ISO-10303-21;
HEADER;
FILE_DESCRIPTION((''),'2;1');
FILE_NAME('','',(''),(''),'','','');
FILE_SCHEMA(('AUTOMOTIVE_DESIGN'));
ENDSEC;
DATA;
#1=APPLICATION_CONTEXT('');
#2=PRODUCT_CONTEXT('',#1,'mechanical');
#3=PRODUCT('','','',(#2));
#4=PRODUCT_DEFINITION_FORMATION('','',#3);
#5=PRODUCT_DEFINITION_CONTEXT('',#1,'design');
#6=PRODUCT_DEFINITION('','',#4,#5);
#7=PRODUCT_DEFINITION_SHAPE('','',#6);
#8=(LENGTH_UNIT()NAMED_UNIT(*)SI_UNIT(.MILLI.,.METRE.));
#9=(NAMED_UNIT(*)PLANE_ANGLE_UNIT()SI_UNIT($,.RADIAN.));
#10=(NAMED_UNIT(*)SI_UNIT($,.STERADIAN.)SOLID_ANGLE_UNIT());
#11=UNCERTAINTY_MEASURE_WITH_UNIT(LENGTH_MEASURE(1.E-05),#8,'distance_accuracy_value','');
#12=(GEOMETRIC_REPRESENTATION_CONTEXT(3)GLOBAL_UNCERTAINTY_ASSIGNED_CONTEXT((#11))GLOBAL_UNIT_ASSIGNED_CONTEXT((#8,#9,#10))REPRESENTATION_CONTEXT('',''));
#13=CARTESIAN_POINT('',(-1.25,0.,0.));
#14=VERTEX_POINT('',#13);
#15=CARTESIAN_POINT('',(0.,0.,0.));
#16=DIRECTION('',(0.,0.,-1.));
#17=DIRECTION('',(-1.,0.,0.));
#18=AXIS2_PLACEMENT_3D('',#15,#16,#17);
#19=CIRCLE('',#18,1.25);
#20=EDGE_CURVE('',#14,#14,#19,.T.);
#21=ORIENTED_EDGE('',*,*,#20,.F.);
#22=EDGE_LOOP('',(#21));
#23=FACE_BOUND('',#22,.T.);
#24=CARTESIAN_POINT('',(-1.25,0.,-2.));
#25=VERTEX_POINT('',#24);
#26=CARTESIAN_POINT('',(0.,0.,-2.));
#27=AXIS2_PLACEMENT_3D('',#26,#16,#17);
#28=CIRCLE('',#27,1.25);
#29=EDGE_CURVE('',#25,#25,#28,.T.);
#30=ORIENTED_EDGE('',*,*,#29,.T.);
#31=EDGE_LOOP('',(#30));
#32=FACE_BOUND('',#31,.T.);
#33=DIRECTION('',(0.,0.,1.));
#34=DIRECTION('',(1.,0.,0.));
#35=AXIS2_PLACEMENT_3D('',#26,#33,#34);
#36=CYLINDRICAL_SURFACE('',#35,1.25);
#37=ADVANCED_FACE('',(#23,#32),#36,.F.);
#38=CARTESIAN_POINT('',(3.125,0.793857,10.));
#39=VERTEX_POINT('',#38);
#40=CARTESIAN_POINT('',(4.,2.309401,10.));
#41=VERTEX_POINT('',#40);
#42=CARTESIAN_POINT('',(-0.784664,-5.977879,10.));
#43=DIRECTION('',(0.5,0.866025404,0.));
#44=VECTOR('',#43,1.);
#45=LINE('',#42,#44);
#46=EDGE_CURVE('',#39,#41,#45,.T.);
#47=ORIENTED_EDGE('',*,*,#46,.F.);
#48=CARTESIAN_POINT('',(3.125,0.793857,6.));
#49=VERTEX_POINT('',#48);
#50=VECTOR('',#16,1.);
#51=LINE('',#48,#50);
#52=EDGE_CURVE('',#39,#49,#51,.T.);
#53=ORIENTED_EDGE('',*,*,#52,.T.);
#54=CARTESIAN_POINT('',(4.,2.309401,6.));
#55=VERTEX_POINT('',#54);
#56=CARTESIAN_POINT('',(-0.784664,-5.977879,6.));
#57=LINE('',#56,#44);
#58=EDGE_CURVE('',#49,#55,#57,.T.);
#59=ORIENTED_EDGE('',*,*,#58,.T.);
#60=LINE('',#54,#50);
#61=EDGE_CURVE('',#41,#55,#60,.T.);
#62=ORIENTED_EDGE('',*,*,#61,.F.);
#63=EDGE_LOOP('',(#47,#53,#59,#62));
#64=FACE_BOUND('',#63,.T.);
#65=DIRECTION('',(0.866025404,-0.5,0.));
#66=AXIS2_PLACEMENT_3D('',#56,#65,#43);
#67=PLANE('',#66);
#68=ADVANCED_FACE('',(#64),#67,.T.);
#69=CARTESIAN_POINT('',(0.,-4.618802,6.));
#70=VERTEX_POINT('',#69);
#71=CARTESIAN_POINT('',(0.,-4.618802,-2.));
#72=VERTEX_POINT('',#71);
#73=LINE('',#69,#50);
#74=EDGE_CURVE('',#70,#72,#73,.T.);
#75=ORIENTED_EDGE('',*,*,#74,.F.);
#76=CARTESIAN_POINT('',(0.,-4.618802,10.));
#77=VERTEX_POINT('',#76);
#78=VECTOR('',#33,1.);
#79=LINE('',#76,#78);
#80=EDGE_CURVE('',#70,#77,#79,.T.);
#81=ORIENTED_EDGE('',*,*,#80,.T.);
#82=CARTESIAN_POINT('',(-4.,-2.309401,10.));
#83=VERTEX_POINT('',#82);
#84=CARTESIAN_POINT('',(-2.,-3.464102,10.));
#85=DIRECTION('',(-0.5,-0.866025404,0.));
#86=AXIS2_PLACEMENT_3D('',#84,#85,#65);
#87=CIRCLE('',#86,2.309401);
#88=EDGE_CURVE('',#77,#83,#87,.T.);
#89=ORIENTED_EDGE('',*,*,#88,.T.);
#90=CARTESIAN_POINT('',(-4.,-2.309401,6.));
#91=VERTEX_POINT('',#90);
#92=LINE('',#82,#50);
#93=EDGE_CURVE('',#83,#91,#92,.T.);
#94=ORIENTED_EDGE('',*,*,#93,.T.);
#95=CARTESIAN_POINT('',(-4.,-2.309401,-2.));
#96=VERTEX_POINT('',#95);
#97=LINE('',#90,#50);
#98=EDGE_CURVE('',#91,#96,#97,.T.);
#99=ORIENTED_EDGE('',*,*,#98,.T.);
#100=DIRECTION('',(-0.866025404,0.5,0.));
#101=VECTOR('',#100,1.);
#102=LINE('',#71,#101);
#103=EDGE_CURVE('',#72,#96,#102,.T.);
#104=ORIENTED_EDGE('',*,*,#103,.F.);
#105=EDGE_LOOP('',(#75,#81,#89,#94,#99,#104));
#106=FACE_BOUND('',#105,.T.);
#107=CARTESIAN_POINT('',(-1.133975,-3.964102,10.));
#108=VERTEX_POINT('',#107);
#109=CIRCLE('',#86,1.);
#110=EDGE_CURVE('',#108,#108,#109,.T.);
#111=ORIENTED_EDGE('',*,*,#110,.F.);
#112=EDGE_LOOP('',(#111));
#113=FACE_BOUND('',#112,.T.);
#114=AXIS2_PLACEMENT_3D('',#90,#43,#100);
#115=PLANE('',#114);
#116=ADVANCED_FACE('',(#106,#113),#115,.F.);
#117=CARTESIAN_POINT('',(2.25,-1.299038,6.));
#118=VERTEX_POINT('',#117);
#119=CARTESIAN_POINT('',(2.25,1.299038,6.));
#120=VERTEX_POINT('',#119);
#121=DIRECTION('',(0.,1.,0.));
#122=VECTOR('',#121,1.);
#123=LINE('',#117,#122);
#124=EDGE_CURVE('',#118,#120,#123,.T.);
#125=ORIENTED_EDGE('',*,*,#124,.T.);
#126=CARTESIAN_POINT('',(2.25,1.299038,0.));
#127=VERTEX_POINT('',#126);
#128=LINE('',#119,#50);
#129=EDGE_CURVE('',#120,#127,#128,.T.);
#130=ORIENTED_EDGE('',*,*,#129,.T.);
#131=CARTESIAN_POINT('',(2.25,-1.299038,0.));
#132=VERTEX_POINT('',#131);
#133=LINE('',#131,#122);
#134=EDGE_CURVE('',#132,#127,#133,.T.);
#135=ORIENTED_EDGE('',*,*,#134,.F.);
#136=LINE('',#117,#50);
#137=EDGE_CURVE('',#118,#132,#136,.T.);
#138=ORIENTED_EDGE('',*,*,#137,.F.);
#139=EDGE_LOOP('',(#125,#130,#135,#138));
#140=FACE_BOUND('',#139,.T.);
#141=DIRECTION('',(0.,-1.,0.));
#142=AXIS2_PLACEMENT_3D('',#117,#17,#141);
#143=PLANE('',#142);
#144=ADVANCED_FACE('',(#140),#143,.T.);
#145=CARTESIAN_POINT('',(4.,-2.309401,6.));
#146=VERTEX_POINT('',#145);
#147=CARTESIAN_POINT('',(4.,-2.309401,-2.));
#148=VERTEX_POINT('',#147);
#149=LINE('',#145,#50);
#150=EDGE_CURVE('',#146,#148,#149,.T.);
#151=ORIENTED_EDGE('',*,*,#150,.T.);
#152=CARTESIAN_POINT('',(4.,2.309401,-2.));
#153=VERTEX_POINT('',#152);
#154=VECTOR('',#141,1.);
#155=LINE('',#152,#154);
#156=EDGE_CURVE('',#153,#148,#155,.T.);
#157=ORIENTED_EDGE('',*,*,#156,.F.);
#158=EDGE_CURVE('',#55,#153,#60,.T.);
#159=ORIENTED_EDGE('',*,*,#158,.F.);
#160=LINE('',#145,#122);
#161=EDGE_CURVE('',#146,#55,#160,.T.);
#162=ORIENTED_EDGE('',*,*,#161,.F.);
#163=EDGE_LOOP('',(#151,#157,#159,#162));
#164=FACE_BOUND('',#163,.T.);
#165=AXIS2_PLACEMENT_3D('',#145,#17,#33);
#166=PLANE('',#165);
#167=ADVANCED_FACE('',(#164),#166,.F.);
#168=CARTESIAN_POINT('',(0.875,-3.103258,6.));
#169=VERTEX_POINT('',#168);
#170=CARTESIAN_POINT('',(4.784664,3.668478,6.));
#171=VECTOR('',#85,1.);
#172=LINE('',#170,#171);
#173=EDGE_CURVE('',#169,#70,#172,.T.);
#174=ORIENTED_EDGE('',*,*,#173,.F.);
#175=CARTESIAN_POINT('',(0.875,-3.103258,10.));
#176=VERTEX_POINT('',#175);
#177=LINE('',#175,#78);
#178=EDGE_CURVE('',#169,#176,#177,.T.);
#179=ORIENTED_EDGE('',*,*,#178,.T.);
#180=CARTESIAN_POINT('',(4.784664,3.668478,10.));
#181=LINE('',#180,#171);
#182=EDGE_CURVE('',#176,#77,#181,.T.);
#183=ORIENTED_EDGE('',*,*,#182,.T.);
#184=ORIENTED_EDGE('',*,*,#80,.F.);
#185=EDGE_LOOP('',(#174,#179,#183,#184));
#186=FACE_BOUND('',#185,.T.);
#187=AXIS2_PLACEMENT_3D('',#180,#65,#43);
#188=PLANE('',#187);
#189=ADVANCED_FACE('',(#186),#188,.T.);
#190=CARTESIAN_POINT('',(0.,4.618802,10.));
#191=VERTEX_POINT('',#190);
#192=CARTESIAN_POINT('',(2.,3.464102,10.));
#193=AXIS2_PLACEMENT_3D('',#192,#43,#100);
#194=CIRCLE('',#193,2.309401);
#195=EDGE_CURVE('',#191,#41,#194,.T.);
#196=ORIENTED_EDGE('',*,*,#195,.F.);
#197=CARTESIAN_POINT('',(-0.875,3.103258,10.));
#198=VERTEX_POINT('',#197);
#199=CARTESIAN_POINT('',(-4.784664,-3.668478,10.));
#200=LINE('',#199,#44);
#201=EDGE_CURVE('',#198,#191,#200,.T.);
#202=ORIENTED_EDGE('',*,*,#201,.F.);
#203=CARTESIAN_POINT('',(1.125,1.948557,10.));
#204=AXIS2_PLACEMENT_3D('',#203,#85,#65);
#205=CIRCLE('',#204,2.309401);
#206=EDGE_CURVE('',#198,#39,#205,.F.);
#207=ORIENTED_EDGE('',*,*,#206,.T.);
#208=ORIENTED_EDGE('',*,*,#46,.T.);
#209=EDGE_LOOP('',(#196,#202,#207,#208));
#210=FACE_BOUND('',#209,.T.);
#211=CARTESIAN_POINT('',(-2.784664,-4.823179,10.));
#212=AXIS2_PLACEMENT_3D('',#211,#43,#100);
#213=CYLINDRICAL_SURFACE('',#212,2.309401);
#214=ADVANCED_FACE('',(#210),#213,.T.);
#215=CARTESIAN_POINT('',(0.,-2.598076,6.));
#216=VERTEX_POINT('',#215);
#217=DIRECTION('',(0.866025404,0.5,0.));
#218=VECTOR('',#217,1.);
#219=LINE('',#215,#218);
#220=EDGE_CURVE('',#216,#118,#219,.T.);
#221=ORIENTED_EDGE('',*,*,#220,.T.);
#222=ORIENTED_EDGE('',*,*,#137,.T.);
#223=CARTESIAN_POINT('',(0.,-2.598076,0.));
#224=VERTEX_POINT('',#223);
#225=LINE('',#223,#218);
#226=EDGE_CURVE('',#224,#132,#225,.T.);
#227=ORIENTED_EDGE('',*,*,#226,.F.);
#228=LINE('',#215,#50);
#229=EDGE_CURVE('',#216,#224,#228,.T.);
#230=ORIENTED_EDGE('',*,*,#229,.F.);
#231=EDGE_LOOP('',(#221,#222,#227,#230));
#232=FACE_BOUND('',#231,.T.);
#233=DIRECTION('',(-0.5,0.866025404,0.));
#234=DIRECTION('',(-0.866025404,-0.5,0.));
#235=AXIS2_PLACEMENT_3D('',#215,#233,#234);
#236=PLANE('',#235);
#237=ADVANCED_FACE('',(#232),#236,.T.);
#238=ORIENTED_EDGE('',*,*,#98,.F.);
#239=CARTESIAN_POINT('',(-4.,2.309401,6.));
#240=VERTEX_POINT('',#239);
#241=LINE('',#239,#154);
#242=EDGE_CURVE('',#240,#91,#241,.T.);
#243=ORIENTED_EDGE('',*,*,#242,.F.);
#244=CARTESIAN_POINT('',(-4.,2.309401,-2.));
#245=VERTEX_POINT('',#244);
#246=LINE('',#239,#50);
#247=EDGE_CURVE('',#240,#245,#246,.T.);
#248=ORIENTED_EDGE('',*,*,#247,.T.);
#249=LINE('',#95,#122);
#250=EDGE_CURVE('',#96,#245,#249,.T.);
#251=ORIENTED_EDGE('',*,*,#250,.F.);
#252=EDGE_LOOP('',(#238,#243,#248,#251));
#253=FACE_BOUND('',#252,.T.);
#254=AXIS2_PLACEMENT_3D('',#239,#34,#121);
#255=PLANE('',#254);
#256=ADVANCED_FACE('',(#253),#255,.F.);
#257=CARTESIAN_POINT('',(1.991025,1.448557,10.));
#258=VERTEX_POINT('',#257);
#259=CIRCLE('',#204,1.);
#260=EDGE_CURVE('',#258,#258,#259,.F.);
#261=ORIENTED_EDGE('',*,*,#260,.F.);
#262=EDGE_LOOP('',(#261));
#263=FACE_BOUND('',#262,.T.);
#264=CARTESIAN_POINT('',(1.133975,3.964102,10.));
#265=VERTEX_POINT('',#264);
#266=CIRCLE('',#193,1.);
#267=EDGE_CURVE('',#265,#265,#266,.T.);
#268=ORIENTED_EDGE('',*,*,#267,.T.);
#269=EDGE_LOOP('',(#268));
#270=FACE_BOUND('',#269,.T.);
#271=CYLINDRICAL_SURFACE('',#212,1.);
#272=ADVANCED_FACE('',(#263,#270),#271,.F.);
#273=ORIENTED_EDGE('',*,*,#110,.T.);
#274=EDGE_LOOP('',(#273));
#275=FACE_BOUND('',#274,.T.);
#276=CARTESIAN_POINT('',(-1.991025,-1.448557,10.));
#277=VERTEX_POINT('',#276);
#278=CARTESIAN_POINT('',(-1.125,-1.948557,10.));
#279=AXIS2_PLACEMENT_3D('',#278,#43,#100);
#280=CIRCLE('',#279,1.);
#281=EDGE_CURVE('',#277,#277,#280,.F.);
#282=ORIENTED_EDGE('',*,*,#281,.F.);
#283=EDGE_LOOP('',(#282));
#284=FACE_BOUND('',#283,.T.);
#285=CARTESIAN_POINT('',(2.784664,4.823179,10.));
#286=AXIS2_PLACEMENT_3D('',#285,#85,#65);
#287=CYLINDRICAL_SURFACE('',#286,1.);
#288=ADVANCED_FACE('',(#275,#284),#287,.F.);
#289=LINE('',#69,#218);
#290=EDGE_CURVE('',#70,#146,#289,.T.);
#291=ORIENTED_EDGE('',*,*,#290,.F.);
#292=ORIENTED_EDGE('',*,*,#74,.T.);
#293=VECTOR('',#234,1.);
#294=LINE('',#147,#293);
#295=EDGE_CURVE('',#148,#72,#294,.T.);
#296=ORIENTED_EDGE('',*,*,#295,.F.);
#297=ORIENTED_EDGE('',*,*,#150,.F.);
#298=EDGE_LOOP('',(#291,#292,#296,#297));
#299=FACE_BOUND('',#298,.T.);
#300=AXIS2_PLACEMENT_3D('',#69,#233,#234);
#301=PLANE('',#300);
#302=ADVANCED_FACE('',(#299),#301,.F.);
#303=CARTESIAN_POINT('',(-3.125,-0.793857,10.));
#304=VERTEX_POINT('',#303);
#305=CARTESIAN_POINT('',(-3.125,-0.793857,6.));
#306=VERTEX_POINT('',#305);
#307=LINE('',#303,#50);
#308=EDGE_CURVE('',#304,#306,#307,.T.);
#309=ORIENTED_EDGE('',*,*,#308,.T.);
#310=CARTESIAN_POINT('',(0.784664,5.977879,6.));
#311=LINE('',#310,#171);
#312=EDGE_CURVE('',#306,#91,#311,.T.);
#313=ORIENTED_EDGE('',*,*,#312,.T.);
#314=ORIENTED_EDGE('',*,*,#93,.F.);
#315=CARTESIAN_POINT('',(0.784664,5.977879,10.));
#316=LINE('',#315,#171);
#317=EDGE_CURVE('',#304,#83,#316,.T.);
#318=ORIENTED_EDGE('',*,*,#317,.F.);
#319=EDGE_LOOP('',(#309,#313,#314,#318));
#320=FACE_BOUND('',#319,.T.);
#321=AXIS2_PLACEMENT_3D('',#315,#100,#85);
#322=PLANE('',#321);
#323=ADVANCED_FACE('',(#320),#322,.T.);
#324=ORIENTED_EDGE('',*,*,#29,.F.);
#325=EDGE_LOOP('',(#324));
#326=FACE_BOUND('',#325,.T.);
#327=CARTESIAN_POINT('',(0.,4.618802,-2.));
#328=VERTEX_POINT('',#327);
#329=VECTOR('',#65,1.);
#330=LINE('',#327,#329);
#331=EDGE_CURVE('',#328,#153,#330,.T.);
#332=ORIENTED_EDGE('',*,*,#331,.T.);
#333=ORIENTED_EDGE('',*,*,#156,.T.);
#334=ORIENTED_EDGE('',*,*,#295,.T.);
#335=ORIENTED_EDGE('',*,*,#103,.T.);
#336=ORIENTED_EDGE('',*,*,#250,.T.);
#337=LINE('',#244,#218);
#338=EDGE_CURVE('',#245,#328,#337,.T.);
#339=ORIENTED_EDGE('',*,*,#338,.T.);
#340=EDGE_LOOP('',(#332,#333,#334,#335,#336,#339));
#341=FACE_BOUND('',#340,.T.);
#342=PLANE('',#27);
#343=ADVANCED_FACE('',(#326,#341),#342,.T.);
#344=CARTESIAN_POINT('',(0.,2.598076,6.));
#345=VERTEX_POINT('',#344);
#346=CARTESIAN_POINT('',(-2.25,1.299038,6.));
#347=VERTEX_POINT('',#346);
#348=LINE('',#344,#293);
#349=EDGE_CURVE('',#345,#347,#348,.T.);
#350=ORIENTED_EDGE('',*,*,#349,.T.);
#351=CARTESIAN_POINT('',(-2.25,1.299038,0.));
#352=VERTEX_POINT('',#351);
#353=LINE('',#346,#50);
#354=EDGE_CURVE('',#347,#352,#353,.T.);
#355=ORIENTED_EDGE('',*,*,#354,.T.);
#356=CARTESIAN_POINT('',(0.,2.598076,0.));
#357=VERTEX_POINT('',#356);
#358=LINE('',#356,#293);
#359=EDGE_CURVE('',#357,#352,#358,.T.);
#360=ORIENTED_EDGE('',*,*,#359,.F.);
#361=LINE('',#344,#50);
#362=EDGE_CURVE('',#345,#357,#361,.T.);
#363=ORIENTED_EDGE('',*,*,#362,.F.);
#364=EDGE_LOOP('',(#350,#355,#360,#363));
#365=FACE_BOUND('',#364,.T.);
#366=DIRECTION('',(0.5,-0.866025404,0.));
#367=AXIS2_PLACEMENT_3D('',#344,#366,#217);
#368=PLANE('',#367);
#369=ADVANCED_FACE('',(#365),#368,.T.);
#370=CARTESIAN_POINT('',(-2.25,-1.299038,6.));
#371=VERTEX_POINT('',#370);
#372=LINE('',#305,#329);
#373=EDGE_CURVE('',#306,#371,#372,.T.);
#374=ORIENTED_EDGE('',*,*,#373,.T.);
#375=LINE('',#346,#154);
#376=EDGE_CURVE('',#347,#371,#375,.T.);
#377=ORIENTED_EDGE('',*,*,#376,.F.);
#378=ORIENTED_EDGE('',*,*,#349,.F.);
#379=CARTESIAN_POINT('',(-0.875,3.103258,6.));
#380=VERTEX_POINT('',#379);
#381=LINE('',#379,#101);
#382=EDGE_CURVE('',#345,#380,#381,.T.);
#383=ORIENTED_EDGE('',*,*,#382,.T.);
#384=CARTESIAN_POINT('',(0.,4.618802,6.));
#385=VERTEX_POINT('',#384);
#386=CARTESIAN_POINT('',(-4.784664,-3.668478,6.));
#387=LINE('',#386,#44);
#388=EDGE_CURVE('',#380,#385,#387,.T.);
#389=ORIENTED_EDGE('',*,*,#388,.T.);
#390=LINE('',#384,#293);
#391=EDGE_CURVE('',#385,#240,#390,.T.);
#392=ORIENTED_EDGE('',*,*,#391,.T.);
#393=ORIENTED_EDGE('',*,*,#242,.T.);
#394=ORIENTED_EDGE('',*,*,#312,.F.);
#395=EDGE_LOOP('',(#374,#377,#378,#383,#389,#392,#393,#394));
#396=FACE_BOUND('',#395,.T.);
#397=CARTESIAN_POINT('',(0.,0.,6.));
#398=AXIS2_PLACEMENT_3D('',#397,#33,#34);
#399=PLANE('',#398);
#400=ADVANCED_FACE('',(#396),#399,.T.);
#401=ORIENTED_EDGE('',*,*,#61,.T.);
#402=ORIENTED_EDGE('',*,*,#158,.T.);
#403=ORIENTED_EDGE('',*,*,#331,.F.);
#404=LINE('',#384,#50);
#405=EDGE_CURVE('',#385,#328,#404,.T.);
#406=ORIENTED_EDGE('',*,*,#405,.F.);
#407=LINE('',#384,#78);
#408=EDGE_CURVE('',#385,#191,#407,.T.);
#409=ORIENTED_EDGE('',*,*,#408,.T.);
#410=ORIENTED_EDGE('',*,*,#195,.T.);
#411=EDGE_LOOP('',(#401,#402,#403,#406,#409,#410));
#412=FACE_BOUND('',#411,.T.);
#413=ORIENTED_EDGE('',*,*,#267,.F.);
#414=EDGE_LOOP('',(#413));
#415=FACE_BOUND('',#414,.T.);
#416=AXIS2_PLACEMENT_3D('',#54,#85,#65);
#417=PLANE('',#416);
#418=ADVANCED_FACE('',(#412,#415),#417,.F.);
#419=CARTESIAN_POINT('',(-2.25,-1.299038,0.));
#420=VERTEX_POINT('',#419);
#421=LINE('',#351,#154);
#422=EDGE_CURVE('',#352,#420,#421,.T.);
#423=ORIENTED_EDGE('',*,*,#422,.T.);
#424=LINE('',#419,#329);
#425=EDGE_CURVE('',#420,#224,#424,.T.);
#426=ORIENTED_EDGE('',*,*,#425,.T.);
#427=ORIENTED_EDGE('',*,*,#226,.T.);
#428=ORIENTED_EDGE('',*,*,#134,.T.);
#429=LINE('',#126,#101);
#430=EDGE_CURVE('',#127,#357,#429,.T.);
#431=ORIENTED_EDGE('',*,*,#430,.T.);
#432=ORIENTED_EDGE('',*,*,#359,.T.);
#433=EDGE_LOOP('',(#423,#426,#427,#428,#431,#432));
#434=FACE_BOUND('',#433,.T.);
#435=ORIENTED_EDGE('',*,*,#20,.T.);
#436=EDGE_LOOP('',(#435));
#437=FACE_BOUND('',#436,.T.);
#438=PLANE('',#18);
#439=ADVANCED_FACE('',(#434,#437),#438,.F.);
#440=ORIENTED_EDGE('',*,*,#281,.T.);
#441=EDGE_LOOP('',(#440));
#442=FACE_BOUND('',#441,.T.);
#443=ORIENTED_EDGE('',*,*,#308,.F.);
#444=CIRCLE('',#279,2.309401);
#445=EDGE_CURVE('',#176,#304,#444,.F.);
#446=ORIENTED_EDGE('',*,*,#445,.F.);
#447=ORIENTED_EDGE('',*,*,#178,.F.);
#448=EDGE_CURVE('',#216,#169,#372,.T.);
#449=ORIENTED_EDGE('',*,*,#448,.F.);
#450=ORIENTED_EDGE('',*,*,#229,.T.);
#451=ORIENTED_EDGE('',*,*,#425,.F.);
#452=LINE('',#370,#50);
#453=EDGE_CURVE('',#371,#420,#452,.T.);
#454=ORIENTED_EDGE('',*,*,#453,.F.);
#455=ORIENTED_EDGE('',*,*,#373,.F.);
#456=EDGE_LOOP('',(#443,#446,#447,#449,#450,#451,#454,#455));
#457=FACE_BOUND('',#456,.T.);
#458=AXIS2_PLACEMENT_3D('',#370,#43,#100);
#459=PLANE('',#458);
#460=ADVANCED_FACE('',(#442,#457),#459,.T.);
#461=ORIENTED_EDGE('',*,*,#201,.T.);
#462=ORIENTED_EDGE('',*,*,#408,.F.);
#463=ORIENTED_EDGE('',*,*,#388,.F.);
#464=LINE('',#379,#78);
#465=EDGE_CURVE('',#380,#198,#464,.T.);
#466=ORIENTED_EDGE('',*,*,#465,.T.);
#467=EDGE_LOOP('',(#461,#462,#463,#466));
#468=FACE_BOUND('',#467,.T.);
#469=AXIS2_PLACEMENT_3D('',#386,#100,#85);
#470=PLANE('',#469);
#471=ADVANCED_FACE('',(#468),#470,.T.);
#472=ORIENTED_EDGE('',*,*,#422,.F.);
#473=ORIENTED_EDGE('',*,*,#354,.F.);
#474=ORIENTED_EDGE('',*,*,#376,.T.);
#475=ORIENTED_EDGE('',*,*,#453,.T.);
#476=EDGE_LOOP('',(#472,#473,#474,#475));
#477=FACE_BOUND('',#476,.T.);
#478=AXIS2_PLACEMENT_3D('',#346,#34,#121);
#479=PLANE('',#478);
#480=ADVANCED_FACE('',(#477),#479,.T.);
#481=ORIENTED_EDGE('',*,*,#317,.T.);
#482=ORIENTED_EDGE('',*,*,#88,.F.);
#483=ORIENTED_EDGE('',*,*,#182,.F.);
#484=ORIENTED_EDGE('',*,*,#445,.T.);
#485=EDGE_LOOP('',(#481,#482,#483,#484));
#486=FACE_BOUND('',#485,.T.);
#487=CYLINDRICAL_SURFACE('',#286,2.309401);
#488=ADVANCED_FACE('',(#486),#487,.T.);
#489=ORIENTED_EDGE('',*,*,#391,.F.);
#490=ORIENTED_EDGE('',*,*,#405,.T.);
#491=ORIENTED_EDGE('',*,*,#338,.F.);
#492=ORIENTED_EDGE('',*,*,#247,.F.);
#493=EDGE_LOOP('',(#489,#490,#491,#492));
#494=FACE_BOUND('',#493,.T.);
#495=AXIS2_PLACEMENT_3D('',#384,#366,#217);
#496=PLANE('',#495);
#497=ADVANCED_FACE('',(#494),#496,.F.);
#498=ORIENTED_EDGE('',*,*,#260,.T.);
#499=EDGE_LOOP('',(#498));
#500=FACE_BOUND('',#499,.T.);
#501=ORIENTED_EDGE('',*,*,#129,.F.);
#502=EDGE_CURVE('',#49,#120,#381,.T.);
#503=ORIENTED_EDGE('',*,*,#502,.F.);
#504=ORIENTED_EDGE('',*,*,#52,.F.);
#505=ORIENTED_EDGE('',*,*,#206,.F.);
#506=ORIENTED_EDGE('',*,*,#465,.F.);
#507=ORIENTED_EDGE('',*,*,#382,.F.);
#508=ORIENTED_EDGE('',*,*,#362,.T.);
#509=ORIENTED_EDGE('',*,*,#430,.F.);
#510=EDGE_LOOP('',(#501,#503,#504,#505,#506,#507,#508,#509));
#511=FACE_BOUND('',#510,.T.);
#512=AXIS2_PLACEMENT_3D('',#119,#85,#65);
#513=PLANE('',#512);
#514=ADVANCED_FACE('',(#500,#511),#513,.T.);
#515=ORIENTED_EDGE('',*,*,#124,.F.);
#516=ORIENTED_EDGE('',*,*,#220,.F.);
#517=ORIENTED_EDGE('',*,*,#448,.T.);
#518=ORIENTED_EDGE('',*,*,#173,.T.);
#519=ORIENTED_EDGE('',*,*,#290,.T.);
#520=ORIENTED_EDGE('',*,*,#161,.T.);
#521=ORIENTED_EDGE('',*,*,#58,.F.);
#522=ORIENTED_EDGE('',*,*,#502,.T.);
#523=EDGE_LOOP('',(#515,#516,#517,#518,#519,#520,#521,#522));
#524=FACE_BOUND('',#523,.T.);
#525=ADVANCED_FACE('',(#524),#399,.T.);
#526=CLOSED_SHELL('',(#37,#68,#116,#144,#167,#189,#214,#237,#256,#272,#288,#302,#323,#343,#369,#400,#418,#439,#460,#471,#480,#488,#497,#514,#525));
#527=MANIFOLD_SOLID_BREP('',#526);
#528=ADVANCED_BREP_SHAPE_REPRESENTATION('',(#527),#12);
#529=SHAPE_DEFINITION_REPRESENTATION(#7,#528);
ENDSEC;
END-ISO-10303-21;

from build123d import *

# Parameters (mm, degrees)
EXTRUDE_1_DEPTH = 6
SKETCH_2_R      = 1.25
EXTRUDE_2_DEPTH = 2
SKETCH_3_R      = 1
EXTRUDE_4_DEPTH = 1.75
SKETCH_4_R      = 1
EXTRUDE_7_DEPTH = 1.75


with BuildPart() as part:
    # 스케치1 → 보스-돌출1 (new body)
    with BuildSketch(Plane.XY):
        Polygon((0, 4.618802154), (-4, 2.309401077), (-4, -2.309401077), (0, -4.618802154), (4, -2.309401077), (4, 2.309401077), align=None)
        Polygon((0, 2.598076211), (-2.25, 1.299038106), (-2.25, -1.299038106), (0, -2.598076211), (2.25, -1.299038106), (2.25, 1.299038106), align=None, mode=Mode.SUBTRACT)
    extrude(amount=EXTRUDE_1_DEPTH)

    # 스케치2 → 보스-돌출2 (add)
    with BuildSketch(Plane(origin=(0, 0, 0), x_dir=(-1, 0, 0), z_dir=(0, 0, -1))):
        Polygon((0, 4.618802154), (-4, 2.309401077), (-4, -2.309401077), (0, -4.618802154), (4, -2.309401077), (4, 2.309401077), align=None)
        Circle(SKETCH_2_R, mode=Mode.SUBTRACT)
    extrude(amount=EXTRUDE_2_DEPTH)

    # 스케치3 → 보스-돌출4 (add)
    with BuildSketch(Plane(origin=(2, 3.464101615, 0), x_dir=(0.866025404, -0.5, 0), z_dir=(0.5, 0.866025404, 0))):
        with BuildLine():
            Line((-2.309401077, -6), (2.309401077, -6))
            Line((2.309401077, -6), (2.309401077, -10))
            ThreePointArc((2.309401077, -10), (0, -12.309401077), (-2.309401077, -10))
            Line((-2.309401077, -10), (-2.309401077, -6))
        make_face()
        with Locations((0, -10)):
            Circle(SKETCH_3_R, mode=Mode.SUBTRACT)
    extrude(amount=-EXTRUDE_4_DEPTH)

    # 스케치4 → 보스-돌출7 (add)
    with BuildSketch(Plane(origin=(-2, -3.464101615, 0), x_dir=(0.866025404, -0.5, 0), z_dir=(-0.5, -0.866025404, 0))):
        with BuildLine():
            Line((-2.309401077, 10), (-2.309401077, 6))
            Line((-2.309401077, 6), (2.309401077, 6))
            Line((2.309401077, 6), (2.309401077, 10))
            ThreePointArc((2.309401077, 10), (0, 12.309401077), (-2.309401077, 10))
        make_face()
        with Locations((0, 10)):
            Circle(SKETCH_4_R, mode=Mode.SUBTRACT)
    extrude(amount=-EXTRUDE_7_DEPTH)


solid = part.part
